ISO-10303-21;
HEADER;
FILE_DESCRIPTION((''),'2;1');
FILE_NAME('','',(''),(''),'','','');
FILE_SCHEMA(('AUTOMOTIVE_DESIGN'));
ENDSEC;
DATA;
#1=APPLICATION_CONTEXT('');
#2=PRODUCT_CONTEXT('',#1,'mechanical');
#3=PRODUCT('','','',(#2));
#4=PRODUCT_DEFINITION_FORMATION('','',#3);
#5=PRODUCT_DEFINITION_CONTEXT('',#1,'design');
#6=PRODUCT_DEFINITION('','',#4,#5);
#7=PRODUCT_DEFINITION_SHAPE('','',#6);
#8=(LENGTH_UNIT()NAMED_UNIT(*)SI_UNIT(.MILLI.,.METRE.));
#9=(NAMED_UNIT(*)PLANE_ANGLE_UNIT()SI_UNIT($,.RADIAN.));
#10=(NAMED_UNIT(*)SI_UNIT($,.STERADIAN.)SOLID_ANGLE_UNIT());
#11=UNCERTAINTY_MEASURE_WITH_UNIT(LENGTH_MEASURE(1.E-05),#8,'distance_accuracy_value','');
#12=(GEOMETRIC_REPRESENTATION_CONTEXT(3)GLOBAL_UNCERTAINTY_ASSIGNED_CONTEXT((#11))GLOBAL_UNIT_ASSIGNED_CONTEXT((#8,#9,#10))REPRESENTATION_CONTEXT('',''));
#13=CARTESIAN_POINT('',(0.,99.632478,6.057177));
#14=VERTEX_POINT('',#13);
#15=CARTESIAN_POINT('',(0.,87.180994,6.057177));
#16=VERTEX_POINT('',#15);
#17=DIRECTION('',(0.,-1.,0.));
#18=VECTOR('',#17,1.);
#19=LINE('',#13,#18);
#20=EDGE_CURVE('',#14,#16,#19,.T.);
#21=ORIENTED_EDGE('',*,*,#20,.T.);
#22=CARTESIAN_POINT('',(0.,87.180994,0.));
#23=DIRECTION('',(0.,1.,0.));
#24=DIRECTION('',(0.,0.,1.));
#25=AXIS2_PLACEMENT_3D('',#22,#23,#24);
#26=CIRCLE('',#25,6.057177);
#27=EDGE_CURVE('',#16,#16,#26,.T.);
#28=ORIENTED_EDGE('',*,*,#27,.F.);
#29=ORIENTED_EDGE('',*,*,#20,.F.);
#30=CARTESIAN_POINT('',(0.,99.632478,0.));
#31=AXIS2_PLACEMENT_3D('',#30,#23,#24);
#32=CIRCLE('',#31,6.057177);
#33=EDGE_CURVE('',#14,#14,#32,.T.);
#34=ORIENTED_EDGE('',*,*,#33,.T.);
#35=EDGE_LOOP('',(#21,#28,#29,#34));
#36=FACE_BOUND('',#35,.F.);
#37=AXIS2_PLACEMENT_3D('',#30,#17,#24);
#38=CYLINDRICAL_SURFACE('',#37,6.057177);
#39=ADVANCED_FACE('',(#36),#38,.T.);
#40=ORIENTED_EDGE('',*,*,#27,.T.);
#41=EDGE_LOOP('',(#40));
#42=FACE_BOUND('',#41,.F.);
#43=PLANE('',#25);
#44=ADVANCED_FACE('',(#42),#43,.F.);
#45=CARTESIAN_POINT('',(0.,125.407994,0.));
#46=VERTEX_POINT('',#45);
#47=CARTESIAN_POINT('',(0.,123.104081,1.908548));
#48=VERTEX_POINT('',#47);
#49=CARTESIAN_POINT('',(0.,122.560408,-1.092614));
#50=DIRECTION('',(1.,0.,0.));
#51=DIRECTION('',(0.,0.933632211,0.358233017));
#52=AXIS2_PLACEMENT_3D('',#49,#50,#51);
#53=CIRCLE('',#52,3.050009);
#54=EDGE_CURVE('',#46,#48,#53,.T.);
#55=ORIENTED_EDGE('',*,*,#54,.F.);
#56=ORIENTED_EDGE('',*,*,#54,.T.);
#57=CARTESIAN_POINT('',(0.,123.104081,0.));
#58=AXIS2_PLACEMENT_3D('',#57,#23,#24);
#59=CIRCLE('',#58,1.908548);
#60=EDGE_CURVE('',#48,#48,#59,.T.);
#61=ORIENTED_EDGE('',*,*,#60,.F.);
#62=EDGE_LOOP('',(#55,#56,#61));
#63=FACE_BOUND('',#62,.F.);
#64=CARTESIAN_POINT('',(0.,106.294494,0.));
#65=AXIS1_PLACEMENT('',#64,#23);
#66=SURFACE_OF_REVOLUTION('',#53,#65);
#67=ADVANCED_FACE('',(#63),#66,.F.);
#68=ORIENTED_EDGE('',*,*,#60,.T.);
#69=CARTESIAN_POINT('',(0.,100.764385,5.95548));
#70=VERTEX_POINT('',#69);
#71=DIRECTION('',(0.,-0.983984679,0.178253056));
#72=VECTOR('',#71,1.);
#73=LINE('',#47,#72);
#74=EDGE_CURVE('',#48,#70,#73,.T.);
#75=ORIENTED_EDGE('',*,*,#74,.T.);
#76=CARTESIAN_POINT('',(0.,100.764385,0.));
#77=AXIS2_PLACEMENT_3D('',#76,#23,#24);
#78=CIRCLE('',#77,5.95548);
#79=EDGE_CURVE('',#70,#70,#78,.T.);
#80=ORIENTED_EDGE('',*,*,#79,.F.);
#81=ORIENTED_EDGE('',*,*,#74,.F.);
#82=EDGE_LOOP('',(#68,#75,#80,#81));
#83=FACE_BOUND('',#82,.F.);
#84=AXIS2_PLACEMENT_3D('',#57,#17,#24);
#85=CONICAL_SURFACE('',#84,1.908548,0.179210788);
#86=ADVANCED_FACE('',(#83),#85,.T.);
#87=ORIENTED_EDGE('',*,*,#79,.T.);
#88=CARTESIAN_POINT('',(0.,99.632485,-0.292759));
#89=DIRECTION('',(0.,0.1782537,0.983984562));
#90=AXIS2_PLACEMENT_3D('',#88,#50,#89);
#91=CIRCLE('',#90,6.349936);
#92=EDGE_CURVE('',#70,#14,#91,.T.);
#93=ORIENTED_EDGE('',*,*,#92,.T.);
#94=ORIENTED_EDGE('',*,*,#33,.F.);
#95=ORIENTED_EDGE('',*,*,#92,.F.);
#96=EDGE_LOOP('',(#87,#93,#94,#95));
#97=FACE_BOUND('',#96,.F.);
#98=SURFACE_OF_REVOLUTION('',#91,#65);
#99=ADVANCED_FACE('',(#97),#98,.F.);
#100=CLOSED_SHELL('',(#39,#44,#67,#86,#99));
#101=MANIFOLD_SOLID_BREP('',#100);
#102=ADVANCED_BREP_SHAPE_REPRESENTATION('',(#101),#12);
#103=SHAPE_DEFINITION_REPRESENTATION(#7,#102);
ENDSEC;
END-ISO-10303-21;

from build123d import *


with BuildPart() as f1:
    # F0 (on Right) → F1 (revolve)
    with BuildSketch(Plane.YZ):
        with BuildLine():
            ThreePointArc((100.764385, 5.95548), (100.200711, 6.031702), (99.632478, 6.057177))
            Line((99.632478, 6.057177), (87.180994, 6.057177))
            Line((87.180994, 6.057177), (87.180994, 0))
            Line((87.180994, 0), (125.407994, 0))
            ThreePointArc((125.407994, 0), (124.506121, 1.256163), (123.104081, 1.908548))
            Line((123.104081, 1.908548), (100.764385, 5.95548))
        make_face()
    revolve(axis=Axis((0, 106.294494, 0), (0, 1, 0)))


solid = f1.part
